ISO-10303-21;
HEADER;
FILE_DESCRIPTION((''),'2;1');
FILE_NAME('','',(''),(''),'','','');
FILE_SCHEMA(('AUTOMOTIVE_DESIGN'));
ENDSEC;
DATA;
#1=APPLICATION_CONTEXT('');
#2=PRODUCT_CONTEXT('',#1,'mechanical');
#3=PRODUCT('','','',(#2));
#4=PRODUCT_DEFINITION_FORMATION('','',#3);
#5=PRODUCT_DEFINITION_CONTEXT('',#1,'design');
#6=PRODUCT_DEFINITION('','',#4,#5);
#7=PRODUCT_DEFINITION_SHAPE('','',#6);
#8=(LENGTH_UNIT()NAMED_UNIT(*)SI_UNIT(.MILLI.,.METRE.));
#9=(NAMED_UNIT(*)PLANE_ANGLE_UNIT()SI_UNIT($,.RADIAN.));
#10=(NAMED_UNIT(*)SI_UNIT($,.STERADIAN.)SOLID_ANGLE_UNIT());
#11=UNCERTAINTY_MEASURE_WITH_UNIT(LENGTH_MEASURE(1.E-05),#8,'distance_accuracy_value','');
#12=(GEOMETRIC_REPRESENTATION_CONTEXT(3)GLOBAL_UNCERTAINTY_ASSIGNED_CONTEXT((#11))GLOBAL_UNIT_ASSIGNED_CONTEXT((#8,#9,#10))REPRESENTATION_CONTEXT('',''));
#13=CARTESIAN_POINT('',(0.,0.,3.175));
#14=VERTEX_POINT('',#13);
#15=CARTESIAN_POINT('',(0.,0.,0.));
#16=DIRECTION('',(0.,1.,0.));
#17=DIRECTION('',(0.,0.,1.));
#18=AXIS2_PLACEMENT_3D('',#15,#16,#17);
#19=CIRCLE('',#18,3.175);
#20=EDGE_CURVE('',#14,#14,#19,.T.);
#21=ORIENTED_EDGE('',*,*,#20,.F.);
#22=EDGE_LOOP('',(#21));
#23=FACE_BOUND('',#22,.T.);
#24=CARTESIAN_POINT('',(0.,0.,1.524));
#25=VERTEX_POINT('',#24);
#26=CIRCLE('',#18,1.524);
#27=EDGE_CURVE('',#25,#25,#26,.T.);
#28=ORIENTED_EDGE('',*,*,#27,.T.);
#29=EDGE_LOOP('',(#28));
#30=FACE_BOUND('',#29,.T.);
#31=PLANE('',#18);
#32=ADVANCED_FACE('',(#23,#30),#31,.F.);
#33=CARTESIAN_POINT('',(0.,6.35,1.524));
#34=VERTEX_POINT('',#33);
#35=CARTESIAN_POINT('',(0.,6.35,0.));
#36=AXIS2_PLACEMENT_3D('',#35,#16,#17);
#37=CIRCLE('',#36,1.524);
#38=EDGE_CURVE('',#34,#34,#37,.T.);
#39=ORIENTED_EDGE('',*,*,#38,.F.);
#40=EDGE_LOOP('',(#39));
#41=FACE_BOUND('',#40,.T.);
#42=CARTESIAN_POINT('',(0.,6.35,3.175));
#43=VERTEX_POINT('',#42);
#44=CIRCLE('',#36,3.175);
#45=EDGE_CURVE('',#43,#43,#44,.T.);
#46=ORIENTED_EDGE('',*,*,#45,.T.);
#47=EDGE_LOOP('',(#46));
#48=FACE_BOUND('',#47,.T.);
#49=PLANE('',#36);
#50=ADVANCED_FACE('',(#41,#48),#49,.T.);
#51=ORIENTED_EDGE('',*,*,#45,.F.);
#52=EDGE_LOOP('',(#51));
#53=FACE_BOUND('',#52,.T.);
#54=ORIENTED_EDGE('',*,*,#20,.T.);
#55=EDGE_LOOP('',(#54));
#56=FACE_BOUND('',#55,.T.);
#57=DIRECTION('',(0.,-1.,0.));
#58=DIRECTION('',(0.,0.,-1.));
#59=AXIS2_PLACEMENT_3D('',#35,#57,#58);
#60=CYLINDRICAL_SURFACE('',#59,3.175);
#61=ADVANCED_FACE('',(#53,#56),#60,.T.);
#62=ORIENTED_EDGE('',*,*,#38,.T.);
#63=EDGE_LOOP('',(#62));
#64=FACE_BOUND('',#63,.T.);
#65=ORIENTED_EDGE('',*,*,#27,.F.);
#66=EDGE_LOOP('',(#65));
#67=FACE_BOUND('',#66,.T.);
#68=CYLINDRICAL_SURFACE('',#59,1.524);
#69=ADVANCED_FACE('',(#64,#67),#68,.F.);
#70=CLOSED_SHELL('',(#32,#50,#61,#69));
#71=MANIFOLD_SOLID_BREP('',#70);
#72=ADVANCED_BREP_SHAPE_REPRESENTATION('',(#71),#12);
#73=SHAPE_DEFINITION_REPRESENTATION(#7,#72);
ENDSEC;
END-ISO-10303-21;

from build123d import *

# Parameters (mm, degrees)
SKETCH1_R      = 3.175
SKETCH1_R_2    = 1.524
EXTRUDE1_DEPTH = 6.35


with BuildPart() as part:
    # Sketch1 → Extrude1 (new body)
    with BuildSketch(Plane(origin=(0, 0, 0), x_dir=(1, 0, 0), z_dir=(0, 1, 0))):
        with Locations(Location((0, 0, 0), (0, 0, 270))):  # turned: the seam where the file's is
            Circle(SKETCH1_R)
        with Locations(Location((0, 0, 0), (0, 0, 270))):  # turned: the seam where the file's is
            Circle(SKETCH1_R_2, mode=Mode.SUBTRACT)
    extrude(amount=EXTRUDE1_DEPTH)


solid = part.part
